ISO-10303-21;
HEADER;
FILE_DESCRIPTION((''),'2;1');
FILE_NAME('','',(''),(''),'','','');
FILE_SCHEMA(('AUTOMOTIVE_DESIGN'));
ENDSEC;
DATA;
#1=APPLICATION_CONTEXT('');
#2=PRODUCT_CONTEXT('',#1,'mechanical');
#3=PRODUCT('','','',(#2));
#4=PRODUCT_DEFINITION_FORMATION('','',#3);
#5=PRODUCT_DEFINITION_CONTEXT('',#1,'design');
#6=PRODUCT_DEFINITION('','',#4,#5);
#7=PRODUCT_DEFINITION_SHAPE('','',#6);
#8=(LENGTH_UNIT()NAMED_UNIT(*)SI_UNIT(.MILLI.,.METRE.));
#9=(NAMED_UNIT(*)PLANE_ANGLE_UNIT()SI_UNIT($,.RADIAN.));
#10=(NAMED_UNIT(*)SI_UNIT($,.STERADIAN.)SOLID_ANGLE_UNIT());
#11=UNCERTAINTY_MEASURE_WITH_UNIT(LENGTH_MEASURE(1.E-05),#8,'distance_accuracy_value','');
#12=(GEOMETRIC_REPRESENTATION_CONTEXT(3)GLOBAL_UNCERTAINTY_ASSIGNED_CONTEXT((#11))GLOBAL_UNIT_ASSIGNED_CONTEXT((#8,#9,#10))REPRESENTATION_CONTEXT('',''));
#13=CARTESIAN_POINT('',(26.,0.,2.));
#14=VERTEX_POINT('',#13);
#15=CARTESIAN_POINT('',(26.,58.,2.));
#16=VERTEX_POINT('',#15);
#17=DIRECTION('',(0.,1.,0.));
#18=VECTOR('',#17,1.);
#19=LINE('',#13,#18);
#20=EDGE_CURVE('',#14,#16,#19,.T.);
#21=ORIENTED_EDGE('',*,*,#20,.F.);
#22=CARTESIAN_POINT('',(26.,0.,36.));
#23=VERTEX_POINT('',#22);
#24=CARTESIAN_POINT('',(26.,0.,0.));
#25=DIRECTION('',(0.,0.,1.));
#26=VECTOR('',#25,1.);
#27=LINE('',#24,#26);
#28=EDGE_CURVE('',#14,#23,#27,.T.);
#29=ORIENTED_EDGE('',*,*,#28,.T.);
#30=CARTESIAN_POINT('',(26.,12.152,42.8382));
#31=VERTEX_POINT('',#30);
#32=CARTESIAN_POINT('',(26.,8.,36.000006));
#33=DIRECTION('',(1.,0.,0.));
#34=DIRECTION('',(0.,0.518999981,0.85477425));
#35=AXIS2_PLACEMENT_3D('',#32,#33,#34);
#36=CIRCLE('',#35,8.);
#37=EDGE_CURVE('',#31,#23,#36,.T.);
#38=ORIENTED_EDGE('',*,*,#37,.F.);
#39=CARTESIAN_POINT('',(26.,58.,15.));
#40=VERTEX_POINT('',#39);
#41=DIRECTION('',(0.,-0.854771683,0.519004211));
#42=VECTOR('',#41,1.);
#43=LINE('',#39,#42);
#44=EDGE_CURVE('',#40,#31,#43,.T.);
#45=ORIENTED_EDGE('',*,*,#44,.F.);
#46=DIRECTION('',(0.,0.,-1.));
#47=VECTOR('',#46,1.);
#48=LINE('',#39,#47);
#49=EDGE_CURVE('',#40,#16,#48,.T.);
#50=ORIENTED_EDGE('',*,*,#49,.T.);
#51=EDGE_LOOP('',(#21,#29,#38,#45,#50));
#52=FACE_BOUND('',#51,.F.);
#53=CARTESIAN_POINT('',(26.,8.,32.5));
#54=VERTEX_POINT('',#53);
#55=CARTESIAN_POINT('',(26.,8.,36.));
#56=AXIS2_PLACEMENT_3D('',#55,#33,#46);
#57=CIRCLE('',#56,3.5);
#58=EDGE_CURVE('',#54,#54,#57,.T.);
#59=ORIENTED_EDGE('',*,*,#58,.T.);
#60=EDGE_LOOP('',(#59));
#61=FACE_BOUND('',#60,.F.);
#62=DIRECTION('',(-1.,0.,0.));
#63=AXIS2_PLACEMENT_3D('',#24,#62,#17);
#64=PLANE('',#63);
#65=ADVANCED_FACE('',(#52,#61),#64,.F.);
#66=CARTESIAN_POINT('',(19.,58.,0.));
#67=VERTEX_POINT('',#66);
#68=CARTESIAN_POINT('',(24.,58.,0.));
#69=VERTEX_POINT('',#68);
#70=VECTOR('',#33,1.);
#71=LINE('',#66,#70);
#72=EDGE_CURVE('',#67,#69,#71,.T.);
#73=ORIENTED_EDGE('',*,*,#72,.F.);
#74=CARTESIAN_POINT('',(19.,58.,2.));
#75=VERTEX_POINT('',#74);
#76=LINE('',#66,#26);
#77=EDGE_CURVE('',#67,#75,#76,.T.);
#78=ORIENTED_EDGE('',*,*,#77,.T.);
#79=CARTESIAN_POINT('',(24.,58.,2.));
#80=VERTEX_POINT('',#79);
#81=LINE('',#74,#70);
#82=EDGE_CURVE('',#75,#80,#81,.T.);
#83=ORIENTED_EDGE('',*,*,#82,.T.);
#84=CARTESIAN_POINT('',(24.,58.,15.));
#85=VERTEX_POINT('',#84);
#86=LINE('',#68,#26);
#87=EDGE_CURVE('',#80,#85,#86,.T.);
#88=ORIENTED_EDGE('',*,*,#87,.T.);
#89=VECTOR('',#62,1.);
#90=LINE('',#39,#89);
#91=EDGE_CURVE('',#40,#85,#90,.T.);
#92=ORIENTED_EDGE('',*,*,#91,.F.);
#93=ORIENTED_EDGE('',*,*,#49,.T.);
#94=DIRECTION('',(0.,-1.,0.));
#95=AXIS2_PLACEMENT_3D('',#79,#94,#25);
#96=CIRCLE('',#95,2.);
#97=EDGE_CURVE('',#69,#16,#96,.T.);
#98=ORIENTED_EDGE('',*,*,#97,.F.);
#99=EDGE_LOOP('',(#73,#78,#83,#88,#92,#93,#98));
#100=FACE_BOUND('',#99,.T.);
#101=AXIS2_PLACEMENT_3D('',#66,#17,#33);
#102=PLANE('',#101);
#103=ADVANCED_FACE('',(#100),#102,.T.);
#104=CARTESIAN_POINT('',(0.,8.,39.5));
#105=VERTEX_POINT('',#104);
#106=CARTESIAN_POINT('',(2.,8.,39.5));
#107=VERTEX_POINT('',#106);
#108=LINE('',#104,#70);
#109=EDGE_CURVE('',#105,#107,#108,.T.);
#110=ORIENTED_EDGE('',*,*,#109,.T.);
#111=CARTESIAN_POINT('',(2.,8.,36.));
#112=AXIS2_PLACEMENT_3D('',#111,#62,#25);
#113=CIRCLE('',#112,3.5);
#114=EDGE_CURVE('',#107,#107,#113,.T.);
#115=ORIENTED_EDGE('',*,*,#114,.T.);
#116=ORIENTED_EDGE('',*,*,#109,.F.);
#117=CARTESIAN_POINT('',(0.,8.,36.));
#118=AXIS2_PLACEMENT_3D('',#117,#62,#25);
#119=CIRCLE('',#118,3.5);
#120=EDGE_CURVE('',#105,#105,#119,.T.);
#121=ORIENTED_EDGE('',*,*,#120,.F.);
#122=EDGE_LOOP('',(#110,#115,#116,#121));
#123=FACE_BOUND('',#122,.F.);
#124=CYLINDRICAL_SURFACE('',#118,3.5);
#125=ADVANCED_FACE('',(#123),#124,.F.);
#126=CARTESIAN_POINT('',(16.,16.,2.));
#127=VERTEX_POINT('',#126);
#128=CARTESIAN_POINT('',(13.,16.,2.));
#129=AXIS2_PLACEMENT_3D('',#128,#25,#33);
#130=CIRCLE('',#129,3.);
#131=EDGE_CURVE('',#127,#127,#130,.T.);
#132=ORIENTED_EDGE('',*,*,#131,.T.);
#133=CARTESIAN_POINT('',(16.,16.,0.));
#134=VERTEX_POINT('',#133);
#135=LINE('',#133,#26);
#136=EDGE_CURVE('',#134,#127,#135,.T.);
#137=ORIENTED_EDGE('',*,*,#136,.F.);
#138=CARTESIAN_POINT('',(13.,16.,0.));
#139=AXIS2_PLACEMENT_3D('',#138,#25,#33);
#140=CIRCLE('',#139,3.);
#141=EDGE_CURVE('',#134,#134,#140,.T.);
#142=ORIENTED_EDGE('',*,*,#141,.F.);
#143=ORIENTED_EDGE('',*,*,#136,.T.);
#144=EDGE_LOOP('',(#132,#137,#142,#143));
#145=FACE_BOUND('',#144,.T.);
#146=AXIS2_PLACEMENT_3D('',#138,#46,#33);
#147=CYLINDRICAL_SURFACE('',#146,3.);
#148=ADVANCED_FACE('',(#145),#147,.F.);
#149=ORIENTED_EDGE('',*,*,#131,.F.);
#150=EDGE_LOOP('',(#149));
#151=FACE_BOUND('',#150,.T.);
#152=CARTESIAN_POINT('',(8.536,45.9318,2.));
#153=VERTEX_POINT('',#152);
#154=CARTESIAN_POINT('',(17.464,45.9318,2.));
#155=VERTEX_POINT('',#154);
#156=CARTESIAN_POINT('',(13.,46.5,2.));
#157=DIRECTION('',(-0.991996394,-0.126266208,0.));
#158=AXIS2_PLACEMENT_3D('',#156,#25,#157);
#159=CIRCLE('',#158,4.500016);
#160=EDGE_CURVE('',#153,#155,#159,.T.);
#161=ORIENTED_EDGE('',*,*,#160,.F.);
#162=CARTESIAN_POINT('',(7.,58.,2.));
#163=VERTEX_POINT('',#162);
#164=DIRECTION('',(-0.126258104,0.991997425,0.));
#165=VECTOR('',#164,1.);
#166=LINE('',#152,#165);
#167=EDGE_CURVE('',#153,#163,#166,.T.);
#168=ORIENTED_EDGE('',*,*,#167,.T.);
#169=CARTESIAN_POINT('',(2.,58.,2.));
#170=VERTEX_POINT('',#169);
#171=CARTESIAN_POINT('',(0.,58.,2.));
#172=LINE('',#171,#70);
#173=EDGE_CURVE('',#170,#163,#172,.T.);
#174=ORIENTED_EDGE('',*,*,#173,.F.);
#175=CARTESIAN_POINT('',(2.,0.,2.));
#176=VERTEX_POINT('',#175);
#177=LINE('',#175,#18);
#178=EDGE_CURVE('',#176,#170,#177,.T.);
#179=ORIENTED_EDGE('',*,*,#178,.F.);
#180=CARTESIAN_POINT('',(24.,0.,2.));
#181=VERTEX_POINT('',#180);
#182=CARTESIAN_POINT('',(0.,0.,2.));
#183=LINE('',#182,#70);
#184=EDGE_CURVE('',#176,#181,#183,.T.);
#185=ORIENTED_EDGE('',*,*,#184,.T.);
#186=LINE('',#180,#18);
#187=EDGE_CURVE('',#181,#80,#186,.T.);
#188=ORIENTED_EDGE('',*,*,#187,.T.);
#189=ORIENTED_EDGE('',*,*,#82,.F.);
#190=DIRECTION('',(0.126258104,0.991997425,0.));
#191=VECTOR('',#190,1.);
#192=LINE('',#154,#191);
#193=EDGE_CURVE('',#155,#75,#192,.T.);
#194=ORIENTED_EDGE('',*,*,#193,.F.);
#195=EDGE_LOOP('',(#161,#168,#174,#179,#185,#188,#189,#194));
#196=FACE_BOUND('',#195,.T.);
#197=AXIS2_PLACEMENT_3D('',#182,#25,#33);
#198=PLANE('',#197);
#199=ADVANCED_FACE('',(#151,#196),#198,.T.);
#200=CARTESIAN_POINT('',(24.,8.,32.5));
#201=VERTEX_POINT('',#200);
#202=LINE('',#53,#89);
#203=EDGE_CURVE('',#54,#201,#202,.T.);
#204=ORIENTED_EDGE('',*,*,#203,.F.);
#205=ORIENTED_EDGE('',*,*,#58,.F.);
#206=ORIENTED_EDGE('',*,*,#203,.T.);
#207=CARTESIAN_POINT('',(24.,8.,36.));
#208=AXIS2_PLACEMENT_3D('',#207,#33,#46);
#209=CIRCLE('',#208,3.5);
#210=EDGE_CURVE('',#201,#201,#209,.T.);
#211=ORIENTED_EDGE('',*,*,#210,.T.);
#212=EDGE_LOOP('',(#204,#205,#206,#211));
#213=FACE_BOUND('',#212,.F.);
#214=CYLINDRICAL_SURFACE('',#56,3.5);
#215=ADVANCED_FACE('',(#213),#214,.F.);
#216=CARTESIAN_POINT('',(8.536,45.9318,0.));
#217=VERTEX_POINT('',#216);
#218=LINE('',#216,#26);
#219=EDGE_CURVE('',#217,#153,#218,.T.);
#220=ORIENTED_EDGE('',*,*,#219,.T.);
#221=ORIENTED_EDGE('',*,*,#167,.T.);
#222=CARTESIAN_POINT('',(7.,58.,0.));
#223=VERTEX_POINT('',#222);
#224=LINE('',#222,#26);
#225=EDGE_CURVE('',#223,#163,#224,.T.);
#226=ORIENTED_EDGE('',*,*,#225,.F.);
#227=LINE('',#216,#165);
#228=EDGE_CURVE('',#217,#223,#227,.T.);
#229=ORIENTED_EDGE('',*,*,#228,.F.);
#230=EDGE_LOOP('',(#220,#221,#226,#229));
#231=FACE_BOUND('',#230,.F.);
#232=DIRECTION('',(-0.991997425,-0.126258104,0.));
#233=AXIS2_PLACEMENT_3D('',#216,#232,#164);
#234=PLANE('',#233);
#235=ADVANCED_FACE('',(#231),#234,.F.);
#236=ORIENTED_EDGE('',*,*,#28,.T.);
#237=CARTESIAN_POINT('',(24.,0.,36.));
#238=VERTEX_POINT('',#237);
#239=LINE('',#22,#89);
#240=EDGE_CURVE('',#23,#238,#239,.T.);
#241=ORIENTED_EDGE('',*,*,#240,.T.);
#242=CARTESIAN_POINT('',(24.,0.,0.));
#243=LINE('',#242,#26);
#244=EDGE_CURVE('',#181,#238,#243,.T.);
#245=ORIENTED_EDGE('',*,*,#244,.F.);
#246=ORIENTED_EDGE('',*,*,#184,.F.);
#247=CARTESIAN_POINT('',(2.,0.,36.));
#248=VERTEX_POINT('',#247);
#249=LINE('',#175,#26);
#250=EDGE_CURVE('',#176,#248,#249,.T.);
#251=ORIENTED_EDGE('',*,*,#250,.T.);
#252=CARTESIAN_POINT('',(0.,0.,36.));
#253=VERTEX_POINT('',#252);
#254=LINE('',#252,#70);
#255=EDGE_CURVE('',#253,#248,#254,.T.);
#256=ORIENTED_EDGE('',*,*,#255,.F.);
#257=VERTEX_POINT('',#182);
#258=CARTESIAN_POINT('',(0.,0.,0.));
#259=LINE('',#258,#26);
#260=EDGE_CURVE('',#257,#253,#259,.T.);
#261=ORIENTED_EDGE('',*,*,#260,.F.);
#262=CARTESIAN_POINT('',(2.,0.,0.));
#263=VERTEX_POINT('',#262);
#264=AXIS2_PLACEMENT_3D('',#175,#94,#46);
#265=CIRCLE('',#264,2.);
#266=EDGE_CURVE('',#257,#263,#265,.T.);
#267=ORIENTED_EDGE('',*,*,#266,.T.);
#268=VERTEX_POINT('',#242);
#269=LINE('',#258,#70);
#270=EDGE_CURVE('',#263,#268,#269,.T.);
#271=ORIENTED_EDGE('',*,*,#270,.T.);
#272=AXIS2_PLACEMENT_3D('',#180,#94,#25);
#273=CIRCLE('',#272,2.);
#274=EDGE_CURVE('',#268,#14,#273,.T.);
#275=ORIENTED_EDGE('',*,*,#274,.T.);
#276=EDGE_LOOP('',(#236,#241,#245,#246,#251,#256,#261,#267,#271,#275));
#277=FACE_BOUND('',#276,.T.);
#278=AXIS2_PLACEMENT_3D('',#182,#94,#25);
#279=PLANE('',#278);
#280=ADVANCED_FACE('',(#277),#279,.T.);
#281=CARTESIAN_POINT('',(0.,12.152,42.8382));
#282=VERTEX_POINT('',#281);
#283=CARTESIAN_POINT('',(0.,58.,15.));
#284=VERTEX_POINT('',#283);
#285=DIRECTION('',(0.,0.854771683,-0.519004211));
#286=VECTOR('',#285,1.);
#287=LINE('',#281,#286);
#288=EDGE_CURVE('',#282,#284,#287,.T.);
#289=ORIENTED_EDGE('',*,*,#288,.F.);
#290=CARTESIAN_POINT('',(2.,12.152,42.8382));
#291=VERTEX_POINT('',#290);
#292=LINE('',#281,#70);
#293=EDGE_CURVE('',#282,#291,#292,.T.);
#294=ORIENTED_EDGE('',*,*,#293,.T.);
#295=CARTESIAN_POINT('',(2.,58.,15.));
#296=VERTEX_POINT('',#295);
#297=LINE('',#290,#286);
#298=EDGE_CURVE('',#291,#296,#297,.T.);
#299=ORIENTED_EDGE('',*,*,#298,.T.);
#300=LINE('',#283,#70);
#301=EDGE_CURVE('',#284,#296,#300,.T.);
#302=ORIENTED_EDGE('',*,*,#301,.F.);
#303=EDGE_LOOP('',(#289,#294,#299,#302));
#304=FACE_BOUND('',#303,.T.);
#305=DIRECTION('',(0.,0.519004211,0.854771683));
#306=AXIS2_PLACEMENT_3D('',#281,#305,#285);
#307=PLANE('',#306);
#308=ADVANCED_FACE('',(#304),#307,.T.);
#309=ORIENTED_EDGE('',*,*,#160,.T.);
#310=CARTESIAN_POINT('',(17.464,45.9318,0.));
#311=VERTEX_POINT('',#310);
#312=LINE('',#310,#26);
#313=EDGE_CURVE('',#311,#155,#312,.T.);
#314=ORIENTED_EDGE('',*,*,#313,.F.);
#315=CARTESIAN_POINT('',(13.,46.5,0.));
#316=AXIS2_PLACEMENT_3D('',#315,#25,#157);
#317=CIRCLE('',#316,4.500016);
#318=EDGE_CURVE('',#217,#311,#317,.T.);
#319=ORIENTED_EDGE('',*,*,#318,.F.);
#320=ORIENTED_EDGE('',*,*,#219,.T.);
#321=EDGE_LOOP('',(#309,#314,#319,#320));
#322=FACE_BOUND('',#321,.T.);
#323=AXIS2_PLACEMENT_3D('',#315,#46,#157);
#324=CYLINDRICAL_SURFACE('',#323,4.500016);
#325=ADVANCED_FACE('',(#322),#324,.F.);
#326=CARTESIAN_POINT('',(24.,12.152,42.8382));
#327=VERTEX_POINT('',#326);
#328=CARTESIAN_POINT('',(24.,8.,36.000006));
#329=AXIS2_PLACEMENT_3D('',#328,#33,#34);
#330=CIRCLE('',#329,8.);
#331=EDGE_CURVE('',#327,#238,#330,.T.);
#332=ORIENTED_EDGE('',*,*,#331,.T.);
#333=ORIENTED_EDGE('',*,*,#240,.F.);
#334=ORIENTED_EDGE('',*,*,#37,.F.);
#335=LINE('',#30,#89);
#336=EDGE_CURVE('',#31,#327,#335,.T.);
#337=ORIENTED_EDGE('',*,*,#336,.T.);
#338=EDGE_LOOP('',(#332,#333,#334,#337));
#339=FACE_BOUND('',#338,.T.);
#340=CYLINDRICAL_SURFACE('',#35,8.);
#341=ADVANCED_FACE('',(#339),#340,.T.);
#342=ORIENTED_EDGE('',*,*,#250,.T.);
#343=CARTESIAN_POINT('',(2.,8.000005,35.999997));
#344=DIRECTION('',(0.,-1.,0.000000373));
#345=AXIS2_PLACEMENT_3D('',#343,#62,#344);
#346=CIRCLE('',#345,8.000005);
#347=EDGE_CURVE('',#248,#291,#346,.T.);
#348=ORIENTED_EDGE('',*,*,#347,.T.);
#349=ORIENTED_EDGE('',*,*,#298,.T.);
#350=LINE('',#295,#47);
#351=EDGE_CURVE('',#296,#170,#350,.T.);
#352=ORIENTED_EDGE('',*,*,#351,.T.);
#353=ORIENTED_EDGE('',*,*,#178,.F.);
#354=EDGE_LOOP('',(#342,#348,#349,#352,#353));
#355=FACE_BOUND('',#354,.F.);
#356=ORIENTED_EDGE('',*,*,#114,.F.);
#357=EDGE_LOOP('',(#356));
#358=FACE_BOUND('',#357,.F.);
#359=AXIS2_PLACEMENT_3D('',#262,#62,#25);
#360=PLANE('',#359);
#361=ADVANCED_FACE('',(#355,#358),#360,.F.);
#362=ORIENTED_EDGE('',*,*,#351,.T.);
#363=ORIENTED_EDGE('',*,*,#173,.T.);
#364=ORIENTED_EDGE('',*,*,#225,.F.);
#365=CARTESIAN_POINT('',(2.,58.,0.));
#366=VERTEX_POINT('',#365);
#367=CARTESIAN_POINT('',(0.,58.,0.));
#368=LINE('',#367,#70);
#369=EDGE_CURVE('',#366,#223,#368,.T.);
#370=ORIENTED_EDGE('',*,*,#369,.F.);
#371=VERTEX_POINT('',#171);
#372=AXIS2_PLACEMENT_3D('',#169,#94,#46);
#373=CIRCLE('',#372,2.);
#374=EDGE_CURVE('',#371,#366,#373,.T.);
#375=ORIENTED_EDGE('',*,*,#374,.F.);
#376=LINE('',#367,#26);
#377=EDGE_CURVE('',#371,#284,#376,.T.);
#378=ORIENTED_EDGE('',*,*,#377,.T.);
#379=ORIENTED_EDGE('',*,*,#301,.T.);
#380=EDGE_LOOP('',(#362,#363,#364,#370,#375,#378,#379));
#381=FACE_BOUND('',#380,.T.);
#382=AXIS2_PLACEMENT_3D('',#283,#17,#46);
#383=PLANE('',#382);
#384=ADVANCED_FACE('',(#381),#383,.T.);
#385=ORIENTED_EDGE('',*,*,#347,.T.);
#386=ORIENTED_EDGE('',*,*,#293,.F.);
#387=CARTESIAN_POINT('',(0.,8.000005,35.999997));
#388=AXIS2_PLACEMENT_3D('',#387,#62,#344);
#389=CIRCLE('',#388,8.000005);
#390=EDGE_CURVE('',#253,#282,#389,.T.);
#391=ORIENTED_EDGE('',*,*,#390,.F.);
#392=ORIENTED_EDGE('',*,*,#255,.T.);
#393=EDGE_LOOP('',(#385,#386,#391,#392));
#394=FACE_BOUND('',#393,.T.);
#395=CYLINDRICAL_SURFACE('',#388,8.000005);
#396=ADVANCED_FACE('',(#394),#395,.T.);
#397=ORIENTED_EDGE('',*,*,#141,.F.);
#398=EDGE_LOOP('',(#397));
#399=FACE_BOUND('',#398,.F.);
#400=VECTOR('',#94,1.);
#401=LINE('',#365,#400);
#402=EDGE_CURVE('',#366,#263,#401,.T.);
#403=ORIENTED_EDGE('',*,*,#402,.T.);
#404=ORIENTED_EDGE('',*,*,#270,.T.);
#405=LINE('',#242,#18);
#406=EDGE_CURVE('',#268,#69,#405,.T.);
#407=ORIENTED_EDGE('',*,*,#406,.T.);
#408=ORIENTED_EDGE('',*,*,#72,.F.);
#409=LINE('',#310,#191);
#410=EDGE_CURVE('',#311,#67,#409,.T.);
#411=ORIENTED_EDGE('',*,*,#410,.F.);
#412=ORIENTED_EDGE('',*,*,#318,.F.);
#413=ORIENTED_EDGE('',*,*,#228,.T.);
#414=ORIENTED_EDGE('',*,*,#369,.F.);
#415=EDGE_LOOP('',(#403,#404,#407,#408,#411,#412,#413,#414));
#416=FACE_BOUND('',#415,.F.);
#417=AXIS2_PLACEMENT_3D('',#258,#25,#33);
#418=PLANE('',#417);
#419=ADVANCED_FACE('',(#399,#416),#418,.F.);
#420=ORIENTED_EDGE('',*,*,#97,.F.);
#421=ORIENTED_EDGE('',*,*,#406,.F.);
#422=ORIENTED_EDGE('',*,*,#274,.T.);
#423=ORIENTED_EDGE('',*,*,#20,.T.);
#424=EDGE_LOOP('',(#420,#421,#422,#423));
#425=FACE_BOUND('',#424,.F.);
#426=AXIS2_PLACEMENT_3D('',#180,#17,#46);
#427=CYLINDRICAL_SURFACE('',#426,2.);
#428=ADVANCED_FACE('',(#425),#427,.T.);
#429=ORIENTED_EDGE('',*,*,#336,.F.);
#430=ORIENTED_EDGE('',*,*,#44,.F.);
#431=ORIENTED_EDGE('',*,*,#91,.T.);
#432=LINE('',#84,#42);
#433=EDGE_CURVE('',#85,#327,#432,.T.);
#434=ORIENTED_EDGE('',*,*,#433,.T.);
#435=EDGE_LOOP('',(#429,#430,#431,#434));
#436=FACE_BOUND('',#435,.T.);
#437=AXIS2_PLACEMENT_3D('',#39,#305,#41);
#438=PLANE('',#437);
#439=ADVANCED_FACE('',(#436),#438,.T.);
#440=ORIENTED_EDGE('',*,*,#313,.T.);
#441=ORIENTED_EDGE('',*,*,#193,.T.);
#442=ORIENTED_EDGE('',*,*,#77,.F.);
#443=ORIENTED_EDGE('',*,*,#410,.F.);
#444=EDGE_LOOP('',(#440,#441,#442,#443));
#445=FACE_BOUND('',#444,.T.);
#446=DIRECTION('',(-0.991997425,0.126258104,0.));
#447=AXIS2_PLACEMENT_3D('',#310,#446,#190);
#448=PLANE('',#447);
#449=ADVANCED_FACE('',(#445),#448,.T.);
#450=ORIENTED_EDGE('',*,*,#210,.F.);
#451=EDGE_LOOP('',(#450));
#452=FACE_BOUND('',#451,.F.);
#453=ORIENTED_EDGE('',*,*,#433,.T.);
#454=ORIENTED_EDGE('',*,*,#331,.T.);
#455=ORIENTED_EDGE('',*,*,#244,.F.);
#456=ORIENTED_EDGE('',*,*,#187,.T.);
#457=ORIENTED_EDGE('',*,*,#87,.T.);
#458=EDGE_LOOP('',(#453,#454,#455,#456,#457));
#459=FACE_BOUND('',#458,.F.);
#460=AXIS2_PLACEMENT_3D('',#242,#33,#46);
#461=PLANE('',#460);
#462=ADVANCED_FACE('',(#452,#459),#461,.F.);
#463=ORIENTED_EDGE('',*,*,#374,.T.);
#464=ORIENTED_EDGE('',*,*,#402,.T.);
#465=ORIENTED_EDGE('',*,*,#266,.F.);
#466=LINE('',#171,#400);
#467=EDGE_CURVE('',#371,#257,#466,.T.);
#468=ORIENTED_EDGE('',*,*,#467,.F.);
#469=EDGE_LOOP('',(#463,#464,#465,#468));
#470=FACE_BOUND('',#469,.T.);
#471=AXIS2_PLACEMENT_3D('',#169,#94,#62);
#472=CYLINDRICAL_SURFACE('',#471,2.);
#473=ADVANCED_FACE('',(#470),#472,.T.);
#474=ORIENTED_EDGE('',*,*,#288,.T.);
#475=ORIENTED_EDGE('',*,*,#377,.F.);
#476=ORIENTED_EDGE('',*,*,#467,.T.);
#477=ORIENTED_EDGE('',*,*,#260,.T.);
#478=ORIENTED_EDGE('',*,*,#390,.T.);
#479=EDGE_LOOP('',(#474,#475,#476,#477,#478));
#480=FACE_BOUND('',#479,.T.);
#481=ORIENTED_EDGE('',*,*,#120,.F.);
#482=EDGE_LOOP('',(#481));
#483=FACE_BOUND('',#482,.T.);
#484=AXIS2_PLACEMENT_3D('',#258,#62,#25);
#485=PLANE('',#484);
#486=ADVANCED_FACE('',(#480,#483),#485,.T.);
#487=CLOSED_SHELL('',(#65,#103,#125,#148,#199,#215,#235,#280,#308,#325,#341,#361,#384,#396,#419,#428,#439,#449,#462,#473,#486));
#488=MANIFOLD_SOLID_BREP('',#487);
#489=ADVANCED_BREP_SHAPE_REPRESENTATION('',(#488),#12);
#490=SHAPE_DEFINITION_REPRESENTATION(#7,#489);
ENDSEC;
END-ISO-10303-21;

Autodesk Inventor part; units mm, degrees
ref_plane "YZ Plane" through (0, 0, 0) normal (1, 0, 0) x (0, 1, 0)
ref_plane "XZ Plane" through (0, 0, 0) normal (0, 1, 0) x (-1, 0, 0)
ref_plane "XY Plane" through (0, 0, 0) normal (0, 0, 1) x (1, 0, 0)
sketch "Sketch1" plane through (0, 0, 0) normal (0, 0, 1) x (1, 0, 0)
  line L0 (0, 0) -> (26, 0)
  line L1 (26, 0) -> (26, 58)
  line L2 (26, 58) -> (0, 58) construction
  line L3 (0, 58) -> (0, 0)
  circle A0 centre (13, 16) radius 3
  line L4 (0, 58) -> (7, 58)
  line L5 (19, 58) -> (26, 58)
  line L6 (17.464, 45.9318) -> (19, 58)
  line L7 (8.536, 45.9318) -> (7, 58)
  line L8 (13, 58) -> (13, 46.5) construction
  circle A1 centre (13, 46.5) radius 4.5 construction
  arc A2 (8.536, 45.9318) -> (17.464, 45.9318) centre (13, 46.5) ccw
  point P0 (13, 0)
  dimension "d0" = 26
  dimension "d1" = 58
  dimension "d2" = 6
  dimension "d3" = 16
  dimension "d19" = 12
  dimension "d20" = 9
  dimension "d21" = 11.5
extrude "Extrusion1" add sketch "Sketch1" along normal blind 2
sketch "Sketch2" plane through (26, 0, 0) normal (1, 0, 0) x (0, 0, -1)
  circle A0 centre (-36, 8) radius 3.5
  line L0 (0, 0) -> (0, 58) projected
  line L1 (0, 0) -> (-36, 0)
  circle A1 centre (-36, 8) radius 8 construction
  line L2 (0, 58) -> (-15, 58)
  line L3 (-15, 58) -> (-42.8382, 12.152)
  arc A2 (-42.8382, 12.152) -> (-36, 0) centre (-36, 8) ccw
  dimension "d13" = 16
  dimension "d8" = 7
  dimension "d10" = 8
  dimension "d11" = 36
  dimension "d14" = 15
extrude "Extrusion2" add sketch "Sketch2" against normal blind 2
sketch "Sketch3" plane through (0, 0, 0) normal (-1, 0, 0) x (0, 0, 1)
  line L0 (2, 0) -> (2, 58) projected
  line L1 (2, 0) -> (36, 0) projected
  arc A0 (36, 0) -> (42.8382, 12.152) centre (36, 8) ccw projected
  line L2 (42.8382, 12.152) -> (15, 58) projected
  line L3 (15, 58) -> (2, 58) projected
  circle A1 centre (36, 8) radius 3.5 projected
  point P0 (0, 0)
extrude "Extrusion3" add sketch "Sketch3" against normal blind 2
fillet "Fillet1" radius 2 2 edges at (0, 29, 0) (26, 29, 0)
properties part number "Mount" material "Stainless Steel"
